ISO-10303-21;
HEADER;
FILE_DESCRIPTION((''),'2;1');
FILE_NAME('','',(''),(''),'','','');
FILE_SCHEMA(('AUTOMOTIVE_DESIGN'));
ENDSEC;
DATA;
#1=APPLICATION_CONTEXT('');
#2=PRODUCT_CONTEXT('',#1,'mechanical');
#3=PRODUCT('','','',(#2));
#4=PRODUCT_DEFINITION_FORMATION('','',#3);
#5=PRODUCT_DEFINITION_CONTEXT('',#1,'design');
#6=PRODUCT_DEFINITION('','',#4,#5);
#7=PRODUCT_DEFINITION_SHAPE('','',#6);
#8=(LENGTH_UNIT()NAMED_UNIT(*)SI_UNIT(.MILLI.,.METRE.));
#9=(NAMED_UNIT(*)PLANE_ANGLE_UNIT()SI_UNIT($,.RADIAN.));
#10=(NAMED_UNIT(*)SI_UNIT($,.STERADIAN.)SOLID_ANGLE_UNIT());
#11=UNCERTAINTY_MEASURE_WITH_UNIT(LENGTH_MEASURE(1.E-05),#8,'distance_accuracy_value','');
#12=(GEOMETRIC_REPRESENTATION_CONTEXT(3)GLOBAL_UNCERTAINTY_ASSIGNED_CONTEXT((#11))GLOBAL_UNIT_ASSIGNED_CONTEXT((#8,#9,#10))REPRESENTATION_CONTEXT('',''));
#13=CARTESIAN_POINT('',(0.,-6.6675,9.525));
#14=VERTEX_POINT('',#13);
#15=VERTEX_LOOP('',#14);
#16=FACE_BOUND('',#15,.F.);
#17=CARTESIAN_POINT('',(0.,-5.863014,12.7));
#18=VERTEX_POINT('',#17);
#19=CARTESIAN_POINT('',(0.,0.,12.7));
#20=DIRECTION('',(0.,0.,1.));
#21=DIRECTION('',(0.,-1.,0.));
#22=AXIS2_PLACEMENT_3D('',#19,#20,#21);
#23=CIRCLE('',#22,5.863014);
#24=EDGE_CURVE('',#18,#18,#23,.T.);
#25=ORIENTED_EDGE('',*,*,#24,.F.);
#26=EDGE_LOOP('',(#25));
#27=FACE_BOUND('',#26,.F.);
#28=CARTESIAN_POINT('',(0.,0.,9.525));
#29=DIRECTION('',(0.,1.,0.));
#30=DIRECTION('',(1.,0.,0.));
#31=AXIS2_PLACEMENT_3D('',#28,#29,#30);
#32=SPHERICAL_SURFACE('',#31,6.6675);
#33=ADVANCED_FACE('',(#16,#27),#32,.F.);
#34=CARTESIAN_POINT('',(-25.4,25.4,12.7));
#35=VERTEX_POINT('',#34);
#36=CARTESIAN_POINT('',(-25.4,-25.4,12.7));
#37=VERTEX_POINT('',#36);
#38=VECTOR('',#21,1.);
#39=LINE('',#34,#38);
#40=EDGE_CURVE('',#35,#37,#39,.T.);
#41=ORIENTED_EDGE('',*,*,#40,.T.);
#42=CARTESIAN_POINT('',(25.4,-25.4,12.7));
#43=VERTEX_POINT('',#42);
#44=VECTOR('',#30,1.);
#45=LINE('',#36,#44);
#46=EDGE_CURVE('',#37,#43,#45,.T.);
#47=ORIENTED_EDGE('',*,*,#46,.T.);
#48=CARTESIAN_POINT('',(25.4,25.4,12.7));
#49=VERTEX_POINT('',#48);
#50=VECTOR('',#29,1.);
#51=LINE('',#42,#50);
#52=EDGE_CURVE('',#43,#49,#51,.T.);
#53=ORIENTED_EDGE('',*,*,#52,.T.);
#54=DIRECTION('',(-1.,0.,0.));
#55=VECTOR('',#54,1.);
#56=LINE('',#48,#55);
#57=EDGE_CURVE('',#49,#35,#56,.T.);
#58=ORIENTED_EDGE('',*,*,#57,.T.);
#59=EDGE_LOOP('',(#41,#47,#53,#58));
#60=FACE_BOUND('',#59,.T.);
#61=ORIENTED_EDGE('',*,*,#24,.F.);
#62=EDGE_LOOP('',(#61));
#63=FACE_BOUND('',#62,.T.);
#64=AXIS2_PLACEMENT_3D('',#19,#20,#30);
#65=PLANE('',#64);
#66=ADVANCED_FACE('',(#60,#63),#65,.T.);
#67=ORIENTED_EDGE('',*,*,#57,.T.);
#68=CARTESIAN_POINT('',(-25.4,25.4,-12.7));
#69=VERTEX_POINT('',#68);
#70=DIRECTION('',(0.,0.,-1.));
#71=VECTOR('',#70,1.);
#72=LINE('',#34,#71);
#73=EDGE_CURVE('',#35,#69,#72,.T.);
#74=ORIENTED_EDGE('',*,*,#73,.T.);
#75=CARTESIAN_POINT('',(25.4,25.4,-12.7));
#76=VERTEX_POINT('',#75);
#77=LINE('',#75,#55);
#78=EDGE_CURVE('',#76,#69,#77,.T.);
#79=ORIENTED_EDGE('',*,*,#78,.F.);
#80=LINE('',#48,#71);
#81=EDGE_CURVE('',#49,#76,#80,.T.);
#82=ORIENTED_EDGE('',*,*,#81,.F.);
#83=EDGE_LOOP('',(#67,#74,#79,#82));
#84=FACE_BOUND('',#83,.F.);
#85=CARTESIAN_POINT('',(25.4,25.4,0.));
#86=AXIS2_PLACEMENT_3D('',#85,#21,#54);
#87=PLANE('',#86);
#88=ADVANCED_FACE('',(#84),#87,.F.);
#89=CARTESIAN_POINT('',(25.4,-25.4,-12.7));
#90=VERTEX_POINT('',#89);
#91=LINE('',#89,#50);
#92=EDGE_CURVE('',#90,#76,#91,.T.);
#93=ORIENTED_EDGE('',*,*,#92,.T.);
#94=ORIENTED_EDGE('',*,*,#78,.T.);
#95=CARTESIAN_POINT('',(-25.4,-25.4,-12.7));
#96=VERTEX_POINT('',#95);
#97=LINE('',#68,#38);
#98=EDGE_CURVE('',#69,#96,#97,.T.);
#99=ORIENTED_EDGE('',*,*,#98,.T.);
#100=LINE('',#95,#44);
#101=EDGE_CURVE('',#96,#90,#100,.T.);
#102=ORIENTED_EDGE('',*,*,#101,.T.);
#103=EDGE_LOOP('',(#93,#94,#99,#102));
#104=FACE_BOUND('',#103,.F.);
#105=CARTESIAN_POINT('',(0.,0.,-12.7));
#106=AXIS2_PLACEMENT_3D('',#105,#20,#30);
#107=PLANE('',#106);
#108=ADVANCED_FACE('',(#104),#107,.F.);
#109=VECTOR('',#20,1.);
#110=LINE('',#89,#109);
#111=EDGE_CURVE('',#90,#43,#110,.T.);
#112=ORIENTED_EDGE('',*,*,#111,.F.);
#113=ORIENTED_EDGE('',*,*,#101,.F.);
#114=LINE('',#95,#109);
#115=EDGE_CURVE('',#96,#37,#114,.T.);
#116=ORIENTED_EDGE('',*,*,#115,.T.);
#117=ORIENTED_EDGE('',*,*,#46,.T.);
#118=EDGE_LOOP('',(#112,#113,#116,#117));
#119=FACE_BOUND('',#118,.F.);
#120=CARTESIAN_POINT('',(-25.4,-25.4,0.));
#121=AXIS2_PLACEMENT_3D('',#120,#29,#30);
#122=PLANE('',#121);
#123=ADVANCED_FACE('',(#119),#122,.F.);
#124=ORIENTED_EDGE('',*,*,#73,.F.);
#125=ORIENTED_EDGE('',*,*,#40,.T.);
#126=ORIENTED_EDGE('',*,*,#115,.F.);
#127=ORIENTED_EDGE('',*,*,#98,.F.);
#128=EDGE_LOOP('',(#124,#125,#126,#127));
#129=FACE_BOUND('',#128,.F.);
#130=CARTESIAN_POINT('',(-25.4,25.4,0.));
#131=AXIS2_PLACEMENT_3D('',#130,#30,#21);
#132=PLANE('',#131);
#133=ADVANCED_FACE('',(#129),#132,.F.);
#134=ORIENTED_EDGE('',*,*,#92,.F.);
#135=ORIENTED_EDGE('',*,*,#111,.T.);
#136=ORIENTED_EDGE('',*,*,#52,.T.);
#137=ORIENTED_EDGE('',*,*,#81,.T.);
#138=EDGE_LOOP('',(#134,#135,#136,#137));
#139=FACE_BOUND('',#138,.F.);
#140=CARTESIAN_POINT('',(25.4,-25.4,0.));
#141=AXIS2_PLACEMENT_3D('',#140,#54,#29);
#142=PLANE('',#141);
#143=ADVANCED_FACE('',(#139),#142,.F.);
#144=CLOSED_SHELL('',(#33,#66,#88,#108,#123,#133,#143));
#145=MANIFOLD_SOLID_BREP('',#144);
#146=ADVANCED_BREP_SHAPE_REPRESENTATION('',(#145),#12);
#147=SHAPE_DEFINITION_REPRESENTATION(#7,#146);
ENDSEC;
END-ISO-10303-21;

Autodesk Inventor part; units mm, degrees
ref_plane "YZ Plane" through (0, 0, 0) normal (1, 0, 0) x (0, 1, 0)
ref_plane "XZ Plane" through (0, 0, 0) normal (0, 1, 0) x (-1, 0, 0)
ref_plane "XY Plane" through (0, 0, 0) normal (0, 0, 1) x (1, 0, 0)
sketch "Sketch1" plane through (0, 0, 0) normal (0, 0, 1) x (1, 0, 0)
  line L0 (-25.4, -25.4) -> (25.4, -25.4)
  line L1 (25.4, -25.4) -> (25.4, 25.4)
  line L2 (25.4, 25.4) -> (-25.4, 25.4)
  line L3 (-25.4, 25.4) -> (-25.4, -25.4)
  line L4 (-25.4, -25.4) -> (25.4, 25.4) construction
  line L5 (25.4, -25.4) -> (-25.4, 25.4) construction
  point P0 (0, 0)
  dimension "d0" = 50.8
extrude "Extrusion1" add sketch "Sketch1" along normal mid plane 25.4
ref_plane "Work Plane1" through (0, 0, 9.525) normal (0, 0, 1) x (1, 0, 0)
sketch "Sketch2" plane through (0, 0, 9.525) normal (0, 0, 1) x (1, 0, 0)
  arc A0 (0, -6.6675) -> (0, 6.6675) centre (0, 0) ccw
  line L0 (0, -6.6675) -> (0, 6.6675)
  dimension "d5" = 6.6675
revolve "Revolution1" cut sketch "Sketch2" angle 360 about axis through (0, -6.6675, 9.525) along (0, 1, 0)
equation "\"d0\" = sideLength"
equation "\"d1\" = partDepth"
equation "\"d5\" = radiusofBallHole"
equation "\"d3\" = -workPlaneForBallDistanceFfromFontEdge"
equation "\"radiusofBallHole\" = 0.5 * diameterOfBallHole"
equation "\"sideLength\" = 50.8"
equation "\"partDepth\" = 25.4"
equation "\"workPlaneForBallDistanceFfromFontEdge\" = 3.175"
equation "\"allowancForBallToRotate\" = 0.635"
equation "\"diameterOfBallHole\" = 13.335"
properties part number "socket"
